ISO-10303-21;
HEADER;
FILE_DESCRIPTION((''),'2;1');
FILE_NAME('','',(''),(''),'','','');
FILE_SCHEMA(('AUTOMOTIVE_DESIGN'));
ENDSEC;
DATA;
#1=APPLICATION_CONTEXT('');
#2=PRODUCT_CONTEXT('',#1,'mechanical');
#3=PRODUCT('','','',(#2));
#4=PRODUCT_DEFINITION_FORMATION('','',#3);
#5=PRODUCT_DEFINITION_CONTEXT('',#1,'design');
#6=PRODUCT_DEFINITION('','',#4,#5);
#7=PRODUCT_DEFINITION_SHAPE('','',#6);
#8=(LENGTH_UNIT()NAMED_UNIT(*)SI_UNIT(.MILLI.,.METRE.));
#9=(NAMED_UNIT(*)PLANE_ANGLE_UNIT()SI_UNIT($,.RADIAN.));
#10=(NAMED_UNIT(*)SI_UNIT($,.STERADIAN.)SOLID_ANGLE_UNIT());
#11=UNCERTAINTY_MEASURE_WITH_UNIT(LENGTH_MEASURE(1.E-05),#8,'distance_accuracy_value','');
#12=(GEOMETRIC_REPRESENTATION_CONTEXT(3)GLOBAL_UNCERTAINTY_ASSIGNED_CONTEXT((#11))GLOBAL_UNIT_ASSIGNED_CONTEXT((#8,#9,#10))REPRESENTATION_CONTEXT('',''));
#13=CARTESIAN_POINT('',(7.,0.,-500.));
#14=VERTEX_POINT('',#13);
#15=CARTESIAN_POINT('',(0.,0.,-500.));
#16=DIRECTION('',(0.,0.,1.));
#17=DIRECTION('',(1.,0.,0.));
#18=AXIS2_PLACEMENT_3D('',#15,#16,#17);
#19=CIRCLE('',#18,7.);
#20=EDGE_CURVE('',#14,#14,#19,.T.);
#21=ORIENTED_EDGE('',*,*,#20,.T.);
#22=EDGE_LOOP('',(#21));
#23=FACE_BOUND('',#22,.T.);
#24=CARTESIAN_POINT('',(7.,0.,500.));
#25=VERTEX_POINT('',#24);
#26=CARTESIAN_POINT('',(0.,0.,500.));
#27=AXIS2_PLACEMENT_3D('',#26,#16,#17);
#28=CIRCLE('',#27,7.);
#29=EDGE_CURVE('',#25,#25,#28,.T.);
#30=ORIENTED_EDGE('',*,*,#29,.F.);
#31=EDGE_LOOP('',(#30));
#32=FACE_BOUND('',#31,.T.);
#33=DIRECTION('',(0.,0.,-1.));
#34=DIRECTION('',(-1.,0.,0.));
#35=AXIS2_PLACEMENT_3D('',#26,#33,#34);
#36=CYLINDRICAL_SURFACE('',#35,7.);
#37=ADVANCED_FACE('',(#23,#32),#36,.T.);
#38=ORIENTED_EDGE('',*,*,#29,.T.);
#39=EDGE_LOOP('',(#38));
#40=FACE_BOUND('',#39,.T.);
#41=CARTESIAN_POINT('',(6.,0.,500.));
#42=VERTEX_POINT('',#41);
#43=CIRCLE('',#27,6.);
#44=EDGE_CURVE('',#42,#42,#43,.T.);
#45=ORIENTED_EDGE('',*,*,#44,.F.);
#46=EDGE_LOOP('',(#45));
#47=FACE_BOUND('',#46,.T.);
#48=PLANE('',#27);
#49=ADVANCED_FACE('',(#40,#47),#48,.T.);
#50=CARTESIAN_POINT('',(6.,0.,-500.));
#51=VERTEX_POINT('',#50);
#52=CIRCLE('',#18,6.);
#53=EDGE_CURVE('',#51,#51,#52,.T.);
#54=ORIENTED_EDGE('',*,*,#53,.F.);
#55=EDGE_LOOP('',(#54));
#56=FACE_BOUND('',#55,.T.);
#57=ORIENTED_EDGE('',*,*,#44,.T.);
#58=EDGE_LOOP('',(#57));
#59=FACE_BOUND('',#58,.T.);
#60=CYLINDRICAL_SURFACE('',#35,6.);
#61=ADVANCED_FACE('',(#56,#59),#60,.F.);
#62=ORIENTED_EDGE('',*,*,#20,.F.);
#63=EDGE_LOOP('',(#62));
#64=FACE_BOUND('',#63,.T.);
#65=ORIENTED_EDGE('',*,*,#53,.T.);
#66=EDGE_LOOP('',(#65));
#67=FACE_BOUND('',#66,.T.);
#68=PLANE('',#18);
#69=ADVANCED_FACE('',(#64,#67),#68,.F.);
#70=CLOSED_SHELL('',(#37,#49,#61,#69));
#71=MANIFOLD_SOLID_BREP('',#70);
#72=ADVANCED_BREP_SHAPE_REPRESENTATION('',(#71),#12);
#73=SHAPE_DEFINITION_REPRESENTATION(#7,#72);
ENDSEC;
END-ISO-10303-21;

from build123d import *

# Parameters (mm, degrees)
SKETCH_1_R      = 7
SKETCH_1_R_2    = 6
EXTRUDE_1_DEPTH = 500


with BuildPart() as part:
    # Эскиз1 → Бобышка-Вытянуть1 (new, symmetric)
    with BuildSketch(Plane.XY):
        Circle(SKETCH_1_R)
        Circle(SKETCH_1_R_2, mode=Mode.SUBTRACT)
    extrude(amount=EXTRUDE_1_DEPTH, both=True)


solid = part.part
